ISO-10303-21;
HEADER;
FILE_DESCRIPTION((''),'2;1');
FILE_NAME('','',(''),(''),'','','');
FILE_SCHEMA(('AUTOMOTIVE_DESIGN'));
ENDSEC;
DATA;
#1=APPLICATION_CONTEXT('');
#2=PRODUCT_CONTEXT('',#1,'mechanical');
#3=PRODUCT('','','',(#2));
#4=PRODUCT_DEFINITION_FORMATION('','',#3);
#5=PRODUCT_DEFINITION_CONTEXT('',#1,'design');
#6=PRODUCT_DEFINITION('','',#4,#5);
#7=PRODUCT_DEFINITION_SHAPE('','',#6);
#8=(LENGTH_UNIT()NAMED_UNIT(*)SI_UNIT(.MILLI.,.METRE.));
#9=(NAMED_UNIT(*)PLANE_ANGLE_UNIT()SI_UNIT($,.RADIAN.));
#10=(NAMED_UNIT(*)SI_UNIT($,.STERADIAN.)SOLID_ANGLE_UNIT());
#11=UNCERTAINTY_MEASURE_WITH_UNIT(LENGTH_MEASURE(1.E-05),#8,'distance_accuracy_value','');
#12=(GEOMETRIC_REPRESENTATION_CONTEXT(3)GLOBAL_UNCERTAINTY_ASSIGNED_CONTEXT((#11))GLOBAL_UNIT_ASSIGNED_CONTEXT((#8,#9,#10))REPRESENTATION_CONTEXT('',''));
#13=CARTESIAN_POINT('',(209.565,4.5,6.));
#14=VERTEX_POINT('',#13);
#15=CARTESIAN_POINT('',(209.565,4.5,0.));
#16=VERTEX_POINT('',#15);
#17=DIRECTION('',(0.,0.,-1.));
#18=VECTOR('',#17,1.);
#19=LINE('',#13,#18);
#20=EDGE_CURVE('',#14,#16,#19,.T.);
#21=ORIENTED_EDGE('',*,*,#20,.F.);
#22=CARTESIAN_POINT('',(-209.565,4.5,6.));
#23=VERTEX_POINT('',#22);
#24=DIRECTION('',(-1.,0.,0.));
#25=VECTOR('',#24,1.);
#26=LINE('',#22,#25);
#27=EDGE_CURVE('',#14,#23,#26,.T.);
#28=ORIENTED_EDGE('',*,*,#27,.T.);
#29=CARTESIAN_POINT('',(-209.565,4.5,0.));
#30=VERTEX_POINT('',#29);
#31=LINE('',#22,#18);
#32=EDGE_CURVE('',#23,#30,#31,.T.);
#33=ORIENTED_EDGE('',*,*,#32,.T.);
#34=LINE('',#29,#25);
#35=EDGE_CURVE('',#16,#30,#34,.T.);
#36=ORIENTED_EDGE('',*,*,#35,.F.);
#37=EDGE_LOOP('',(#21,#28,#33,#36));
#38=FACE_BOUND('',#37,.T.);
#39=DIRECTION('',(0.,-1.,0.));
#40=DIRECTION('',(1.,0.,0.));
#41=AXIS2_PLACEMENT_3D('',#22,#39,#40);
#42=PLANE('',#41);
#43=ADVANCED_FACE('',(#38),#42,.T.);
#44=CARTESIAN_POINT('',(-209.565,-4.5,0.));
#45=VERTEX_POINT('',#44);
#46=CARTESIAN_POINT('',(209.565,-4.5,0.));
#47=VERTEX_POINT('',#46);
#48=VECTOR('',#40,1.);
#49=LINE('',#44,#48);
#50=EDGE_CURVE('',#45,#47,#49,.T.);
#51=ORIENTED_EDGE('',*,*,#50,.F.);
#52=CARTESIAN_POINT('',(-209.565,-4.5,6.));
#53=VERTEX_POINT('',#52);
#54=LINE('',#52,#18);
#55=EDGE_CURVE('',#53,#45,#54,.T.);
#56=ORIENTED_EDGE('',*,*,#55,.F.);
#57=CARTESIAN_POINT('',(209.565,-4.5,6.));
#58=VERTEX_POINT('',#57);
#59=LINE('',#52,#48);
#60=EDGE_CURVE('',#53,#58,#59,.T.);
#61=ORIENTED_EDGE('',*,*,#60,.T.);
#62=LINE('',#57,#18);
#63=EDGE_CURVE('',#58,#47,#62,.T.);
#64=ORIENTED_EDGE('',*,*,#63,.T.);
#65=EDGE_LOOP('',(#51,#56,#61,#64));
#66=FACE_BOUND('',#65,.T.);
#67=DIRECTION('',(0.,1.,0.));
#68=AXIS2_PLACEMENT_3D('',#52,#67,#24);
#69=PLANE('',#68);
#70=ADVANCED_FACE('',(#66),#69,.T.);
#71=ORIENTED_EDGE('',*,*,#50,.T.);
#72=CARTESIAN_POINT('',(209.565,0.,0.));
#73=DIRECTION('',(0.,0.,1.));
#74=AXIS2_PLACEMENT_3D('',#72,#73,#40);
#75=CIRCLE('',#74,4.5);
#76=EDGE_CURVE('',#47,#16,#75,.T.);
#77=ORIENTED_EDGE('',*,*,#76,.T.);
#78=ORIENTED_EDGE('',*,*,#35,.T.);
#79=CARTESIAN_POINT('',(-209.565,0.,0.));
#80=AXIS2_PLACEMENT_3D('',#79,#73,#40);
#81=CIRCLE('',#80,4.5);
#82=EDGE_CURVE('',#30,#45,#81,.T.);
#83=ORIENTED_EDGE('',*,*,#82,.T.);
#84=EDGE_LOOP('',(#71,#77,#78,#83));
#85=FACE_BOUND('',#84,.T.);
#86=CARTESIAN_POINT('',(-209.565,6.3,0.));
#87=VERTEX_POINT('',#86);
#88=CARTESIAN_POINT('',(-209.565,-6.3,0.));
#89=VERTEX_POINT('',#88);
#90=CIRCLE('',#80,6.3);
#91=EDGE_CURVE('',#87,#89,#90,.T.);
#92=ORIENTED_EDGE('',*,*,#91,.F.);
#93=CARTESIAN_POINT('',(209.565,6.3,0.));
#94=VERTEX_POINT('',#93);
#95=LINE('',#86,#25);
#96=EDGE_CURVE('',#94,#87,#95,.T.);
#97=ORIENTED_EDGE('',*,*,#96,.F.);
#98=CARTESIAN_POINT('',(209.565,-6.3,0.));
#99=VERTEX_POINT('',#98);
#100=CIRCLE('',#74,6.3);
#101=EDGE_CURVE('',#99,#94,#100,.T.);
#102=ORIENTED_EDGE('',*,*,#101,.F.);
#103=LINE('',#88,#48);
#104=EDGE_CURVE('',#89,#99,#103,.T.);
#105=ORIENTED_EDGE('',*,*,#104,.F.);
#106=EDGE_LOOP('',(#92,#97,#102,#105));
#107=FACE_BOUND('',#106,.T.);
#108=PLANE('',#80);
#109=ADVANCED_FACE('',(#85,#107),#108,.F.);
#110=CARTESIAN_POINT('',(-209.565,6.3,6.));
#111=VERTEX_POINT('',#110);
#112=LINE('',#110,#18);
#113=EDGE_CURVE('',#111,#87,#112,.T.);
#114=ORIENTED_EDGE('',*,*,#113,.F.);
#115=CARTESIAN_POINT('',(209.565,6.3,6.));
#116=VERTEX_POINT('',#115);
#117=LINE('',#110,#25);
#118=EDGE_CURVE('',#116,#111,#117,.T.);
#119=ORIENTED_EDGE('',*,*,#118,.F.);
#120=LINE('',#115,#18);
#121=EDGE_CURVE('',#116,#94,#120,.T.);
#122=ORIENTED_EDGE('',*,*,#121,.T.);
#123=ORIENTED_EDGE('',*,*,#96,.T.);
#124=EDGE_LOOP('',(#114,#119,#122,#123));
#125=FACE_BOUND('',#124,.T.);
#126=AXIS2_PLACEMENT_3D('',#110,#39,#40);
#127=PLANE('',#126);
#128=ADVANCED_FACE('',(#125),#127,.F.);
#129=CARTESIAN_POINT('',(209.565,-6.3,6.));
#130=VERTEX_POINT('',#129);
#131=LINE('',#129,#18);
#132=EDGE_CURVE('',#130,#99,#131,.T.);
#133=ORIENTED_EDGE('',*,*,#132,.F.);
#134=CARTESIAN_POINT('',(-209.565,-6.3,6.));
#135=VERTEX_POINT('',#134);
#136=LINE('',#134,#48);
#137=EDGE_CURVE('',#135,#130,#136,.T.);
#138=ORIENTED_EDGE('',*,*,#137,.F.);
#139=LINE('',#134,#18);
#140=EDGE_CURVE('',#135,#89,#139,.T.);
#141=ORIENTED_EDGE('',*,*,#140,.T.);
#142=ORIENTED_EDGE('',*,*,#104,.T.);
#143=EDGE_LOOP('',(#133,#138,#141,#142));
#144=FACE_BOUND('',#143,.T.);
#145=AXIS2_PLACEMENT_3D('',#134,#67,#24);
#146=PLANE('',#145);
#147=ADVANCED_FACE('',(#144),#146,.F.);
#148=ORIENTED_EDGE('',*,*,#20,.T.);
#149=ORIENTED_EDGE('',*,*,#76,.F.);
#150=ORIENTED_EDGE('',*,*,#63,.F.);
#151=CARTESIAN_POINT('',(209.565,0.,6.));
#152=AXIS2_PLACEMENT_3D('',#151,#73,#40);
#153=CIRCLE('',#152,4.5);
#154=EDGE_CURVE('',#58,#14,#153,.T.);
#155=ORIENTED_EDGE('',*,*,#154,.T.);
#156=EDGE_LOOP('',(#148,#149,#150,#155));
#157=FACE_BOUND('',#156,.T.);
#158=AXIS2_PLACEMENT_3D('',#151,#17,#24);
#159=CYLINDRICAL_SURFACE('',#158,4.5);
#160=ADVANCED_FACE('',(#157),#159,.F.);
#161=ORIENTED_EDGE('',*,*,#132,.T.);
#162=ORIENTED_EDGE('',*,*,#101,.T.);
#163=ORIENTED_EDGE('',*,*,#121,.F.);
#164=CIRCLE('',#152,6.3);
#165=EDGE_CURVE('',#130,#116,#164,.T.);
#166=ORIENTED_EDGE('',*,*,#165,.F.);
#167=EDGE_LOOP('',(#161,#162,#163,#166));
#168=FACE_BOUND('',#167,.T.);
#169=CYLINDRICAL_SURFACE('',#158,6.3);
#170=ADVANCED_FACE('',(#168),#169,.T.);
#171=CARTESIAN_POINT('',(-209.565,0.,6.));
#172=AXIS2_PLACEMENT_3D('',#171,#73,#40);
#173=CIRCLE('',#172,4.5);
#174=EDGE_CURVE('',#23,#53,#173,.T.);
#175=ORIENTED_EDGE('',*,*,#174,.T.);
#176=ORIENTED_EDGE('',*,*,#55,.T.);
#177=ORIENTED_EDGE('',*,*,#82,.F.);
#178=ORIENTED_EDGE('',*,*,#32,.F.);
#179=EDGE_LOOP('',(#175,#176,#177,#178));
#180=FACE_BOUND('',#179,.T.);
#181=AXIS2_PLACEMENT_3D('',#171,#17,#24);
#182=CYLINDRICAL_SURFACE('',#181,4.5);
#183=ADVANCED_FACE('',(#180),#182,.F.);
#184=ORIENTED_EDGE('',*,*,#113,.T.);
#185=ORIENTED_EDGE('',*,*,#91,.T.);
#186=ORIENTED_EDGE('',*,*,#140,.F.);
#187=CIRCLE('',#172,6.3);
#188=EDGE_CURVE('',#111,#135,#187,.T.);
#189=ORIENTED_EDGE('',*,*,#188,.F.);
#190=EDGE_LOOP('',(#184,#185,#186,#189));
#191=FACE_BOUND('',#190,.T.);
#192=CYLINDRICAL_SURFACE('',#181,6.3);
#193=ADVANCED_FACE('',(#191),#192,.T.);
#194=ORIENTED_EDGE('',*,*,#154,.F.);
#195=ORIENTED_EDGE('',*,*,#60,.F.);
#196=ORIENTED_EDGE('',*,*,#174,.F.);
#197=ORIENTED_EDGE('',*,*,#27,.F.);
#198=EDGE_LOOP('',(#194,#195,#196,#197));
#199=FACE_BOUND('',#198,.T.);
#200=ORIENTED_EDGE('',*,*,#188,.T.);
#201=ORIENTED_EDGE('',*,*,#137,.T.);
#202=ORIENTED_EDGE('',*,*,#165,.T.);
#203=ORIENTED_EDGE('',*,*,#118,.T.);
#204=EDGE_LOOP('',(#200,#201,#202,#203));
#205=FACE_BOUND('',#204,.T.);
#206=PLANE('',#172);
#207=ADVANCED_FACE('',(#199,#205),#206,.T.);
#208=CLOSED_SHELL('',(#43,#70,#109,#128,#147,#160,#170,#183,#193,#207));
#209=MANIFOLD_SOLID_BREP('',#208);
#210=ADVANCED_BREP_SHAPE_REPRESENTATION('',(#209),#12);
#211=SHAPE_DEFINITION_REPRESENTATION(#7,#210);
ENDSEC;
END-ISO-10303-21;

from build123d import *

# Parameters (mm, degrees)
EXTRUDE_THIN1_DEPTH = 6


with BuildPart() as part:
    # Sketch1 → Extrude-Thin1 (new body)
    with BuildSketch(Plane.XY):
        with BuildLine():
            Line((209.565, -6.3), (-209.565, -6.3))
            ThreePointArc((-209.565, -6.3), (-215.865, 0), (-209.565, 6.3))
            Line((-209.565, 6.3), (209.565, 6.3))
            ThreePointArc((209.565, 6.3), (215.865, 0), (209.565, -6.3))
        make_face()
        with BuildLine():
            Line((209.565, -4.5), (-209.565, -4.5))
            ThreePointArc((-209.565, -4.5), (-214.065, 0), (-209.565, 4.5))
            Line((-209.565, 4.5), (209.565, 4.5))
            ThreePointArc((209.565, 4.5), (214.065, 0), (209.565, -4.5))
        make_face(mode=Mode.SUBTRACT)
    extrude(amount=EXTRUDE_THIN1_DEPTH)


solid = part.part
